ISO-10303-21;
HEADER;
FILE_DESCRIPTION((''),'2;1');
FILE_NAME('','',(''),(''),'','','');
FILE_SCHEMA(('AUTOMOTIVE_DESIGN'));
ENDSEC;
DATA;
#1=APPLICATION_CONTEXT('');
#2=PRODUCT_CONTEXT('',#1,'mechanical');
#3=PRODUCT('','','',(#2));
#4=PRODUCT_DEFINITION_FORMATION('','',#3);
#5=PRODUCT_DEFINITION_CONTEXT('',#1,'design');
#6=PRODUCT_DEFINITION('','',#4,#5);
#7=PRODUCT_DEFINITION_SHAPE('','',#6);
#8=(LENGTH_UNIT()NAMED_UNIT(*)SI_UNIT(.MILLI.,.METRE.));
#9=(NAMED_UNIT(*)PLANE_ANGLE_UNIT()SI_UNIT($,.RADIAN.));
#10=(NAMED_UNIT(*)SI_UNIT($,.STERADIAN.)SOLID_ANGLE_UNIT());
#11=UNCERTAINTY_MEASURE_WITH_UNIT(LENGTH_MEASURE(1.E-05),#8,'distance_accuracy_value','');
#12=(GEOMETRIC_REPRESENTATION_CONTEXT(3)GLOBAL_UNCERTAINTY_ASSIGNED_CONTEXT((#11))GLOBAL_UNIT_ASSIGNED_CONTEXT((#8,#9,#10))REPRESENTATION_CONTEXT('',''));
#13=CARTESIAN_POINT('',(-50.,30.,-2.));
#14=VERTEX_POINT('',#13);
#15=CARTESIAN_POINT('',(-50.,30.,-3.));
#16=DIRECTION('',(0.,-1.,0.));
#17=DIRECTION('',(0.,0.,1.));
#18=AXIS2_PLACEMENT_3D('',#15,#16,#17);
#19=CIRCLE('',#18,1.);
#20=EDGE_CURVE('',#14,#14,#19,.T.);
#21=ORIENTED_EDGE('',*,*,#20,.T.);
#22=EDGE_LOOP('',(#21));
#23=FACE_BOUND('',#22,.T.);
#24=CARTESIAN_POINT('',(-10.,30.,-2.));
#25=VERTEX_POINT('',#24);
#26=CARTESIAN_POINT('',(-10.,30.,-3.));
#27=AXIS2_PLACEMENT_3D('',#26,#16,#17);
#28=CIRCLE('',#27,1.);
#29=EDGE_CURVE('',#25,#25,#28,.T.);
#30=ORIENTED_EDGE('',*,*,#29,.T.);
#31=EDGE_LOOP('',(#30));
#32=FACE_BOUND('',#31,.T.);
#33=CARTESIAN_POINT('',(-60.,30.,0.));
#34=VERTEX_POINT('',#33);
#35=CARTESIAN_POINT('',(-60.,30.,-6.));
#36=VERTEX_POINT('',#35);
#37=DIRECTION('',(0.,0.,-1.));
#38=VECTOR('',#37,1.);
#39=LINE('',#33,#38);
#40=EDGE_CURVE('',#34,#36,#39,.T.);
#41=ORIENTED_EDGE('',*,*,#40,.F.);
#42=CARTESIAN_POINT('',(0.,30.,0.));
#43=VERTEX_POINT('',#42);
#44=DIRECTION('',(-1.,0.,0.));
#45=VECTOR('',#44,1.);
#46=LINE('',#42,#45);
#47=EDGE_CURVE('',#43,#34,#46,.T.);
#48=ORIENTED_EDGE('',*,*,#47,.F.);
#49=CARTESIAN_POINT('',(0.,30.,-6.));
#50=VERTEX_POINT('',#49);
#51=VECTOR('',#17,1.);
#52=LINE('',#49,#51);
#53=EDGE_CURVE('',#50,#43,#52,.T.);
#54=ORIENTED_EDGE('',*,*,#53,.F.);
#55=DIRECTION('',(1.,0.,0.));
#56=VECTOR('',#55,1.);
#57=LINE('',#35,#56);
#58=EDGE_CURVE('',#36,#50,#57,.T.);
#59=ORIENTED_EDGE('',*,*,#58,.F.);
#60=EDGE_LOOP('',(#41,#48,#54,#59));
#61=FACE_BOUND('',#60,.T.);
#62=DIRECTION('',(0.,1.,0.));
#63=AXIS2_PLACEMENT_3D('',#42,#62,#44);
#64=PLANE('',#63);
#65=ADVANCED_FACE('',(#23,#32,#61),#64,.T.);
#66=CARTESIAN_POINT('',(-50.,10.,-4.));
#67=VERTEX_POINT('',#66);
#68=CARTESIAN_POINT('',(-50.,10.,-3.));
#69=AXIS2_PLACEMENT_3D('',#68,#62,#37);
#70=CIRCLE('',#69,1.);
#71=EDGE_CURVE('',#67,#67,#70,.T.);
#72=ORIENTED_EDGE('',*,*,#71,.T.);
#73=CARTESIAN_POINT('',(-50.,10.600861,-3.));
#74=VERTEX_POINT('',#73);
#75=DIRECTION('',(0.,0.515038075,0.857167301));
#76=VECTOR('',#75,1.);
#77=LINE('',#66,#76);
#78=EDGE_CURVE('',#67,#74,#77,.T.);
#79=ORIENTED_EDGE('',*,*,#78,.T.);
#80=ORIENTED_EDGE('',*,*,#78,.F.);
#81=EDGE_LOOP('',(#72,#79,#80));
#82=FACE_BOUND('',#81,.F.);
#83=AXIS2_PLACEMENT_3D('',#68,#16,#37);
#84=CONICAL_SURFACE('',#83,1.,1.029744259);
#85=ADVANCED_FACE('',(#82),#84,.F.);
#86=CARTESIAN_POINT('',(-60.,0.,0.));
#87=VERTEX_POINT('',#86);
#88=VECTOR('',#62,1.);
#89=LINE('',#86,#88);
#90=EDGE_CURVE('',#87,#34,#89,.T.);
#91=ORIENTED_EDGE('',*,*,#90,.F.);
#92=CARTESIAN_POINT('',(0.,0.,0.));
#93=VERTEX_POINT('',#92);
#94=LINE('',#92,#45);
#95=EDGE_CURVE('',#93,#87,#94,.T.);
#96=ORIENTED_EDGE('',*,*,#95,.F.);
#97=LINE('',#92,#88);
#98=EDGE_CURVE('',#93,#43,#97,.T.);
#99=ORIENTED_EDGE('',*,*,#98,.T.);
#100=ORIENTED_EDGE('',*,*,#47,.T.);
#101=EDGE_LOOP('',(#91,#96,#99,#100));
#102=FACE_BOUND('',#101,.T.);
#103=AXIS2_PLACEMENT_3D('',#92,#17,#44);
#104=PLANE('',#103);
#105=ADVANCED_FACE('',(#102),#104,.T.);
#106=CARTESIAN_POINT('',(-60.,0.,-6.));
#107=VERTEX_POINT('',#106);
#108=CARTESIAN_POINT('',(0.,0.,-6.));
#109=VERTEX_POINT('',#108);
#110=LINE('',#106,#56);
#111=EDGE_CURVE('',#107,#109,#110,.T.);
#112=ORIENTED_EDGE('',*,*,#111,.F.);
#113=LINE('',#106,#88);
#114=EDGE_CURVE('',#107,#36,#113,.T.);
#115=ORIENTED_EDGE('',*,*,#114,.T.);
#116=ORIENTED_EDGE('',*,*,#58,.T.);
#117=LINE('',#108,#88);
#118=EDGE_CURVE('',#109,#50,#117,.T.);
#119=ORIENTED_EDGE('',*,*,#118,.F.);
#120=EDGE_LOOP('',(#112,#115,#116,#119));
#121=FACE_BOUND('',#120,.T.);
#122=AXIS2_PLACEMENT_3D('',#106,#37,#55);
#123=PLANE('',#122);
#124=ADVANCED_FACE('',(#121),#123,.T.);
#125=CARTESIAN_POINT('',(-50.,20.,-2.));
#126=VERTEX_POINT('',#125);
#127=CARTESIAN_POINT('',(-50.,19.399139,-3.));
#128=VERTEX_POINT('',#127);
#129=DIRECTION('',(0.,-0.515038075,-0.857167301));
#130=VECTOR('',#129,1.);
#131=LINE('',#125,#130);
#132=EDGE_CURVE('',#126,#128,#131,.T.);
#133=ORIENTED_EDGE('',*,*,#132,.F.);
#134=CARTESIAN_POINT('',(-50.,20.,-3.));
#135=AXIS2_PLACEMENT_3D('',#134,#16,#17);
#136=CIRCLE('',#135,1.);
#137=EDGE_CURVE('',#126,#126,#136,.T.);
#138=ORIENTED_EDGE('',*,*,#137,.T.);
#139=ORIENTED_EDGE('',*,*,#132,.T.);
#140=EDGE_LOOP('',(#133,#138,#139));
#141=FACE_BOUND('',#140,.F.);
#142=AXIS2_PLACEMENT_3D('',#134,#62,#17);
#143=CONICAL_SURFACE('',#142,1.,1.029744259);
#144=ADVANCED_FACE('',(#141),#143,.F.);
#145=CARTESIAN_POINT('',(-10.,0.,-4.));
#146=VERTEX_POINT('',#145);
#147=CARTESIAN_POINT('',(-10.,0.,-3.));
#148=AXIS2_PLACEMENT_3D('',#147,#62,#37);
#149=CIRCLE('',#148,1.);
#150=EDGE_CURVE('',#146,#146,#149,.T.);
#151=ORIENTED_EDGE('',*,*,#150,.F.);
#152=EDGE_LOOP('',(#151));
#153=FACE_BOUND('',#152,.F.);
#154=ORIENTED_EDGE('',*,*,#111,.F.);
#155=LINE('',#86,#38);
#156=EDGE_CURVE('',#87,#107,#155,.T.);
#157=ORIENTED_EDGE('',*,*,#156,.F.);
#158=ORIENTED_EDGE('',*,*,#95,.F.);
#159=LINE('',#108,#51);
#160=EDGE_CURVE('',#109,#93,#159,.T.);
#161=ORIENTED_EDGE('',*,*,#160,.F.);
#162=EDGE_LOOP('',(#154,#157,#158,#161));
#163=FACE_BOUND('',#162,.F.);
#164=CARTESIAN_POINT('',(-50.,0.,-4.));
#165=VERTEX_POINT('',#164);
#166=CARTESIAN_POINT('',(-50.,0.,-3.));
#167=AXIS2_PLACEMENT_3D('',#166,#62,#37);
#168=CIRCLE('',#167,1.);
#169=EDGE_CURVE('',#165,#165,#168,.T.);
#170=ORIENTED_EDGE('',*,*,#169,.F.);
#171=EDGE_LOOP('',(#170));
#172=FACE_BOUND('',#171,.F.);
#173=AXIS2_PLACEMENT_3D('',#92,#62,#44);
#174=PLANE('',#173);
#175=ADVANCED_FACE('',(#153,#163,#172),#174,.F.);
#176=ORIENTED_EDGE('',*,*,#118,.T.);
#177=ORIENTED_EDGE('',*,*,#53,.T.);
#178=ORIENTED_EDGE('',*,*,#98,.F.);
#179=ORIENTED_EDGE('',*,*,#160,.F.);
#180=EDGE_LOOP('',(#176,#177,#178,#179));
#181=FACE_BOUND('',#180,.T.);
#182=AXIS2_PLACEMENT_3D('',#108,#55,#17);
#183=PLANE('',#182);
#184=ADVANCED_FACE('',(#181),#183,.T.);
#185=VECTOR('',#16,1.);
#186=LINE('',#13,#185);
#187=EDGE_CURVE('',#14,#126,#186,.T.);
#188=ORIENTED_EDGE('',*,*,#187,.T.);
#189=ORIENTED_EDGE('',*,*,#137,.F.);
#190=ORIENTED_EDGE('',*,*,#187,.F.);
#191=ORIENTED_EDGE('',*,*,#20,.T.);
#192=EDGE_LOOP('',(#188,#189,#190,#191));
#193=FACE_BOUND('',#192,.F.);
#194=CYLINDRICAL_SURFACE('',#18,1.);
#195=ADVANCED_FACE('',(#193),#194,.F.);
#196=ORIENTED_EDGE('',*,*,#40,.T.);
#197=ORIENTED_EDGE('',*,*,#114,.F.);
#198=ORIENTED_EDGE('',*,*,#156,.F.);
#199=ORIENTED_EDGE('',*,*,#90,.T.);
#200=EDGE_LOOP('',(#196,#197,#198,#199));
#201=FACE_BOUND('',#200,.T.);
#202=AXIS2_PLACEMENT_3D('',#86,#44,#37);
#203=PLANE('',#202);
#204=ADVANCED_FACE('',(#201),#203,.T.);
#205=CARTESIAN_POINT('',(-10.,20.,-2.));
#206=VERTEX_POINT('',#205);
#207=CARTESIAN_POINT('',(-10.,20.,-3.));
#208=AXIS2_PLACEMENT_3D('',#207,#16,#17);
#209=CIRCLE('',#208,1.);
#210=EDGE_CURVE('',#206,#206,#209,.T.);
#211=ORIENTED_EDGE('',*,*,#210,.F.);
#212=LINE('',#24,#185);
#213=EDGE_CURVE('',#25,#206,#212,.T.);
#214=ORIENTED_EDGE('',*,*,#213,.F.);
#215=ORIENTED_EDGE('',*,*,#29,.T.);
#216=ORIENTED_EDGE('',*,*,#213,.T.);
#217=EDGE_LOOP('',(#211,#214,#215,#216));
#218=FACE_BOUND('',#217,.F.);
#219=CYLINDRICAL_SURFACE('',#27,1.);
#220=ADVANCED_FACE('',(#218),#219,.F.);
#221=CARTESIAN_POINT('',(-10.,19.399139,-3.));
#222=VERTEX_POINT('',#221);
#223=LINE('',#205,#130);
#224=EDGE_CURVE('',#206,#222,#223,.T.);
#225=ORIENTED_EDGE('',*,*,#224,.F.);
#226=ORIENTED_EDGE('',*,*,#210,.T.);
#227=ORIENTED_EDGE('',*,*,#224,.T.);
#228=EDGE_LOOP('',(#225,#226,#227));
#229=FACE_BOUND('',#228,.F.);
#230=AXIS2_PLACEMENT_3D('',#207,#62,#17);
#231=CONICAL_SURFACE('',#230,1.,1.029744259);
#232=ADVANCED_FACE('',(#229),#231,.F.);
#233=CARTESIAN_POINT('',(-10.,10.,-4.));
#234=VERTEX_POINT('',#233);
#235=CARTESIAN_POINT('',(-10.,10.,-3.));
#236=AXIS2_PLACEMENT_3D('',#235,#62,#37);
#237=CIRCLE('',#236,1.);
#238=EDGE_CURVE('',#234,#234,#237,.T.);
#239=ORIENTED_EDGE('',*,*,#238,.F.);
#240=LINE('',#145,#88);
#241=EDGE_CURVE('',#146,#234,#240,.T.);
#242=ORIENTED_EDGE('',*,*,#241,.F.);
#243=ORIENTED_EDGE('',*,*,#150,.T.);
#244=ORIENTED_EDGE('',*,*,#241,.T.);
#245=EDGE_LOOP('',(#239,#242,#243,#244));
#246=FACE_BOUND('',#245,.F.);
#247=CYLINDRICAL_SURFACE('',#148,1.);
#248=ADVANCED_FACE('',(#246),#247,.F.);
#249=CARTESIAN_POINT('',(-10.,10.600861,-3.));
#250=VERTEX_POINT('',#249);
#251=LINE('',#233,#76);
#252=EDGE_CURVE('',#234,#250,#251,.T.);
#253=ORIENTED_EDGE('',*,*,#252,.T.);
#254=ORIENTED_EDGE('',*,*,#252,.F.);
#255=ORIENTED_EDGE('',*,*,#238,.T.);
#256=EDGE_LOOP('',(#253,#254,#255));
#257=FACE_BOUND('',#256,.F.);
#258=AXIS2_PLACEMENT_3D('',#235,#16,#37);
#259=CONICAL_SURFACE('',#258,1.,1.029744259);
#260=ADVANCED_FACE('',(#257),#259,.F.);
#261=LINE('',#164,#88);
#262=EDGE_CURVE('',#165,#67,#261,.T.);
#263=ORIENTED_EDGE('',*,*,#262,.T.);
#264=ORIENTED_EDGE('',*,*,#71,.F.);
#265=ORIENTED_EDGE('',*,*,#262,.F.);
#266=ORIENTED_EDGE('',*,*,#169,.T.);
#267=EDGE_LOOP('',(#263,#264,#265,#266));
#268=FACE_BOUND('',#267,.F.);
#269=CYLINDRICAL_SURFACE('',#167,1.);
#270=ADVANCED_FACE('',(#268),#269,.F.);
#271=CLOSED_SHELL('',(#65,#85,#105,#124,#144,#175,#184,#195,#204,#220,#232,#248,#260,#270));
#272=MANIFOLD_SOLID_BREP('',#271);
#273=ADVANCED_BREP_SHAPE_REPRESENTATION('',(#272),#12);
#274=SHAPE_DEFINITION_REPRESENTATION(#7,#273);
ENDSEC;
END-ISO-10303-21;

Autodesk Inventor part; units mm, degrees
ref_plane "YZ Plane" through (0, 0, 0) normal (1, 0, 0) x (0, 1, 0)
ref_plane "XZ Plane" through (0, 0, 0) normal (0, 1, 0) x (-1, 0, 0)
ref_plane "XY Plane" through (0, 0, 0) normal (0, 0, 1) x (1, 0, 0)
sketch "Skizze1" plane through (0, 0, 0) normal (0, 1, 0) x (-1, 0, 0)
  line L0 (0, 0) -> (60, 0)
  line L1 (60, 0) -> (60, -6)
  line L2 (60, -6) -> (0, -6)
  line L3 (0, -6) -> (0, 0)
  dimension "d0" = 60
  dimension "d1" = 6
extrude "Extrusion1" add sketch "Skizze1" along normal blind 30
sketch "m" plane through (0, 0, 0) normal (0, -1, 0) x (1, 0, 0)
  line L0 (0, -6) -> (0, 0) projected
  line L1 (-60, -6) -> (0, -6) projected
  point P0 (-10, -3)
  point P1 (-50, -3)
  dimension "d4" = 40
  dimension "d5" = 10
  dimension "d6" = 3
hole "Bohrung1" at (-10, 0, -3) at (-50, 0, -3) direction (0, 1, 0) diameter 2 depth 10 tip angle 118
sketch "Skizze3" plane through (0, 30, 0) normal (0, 1, 0) x (1, 0, 0)
  point P0 (0, 0)
  point P1 (-10, 3)
  point P2 (-50, 3)
hole "Bohrung2" at (-10, 30, -3) at (-50, 30, -3) direction (0, -1, 0) diameter 2 depth 10 tip angle 118
properties part number "AkkuHaltSeitenWand"
